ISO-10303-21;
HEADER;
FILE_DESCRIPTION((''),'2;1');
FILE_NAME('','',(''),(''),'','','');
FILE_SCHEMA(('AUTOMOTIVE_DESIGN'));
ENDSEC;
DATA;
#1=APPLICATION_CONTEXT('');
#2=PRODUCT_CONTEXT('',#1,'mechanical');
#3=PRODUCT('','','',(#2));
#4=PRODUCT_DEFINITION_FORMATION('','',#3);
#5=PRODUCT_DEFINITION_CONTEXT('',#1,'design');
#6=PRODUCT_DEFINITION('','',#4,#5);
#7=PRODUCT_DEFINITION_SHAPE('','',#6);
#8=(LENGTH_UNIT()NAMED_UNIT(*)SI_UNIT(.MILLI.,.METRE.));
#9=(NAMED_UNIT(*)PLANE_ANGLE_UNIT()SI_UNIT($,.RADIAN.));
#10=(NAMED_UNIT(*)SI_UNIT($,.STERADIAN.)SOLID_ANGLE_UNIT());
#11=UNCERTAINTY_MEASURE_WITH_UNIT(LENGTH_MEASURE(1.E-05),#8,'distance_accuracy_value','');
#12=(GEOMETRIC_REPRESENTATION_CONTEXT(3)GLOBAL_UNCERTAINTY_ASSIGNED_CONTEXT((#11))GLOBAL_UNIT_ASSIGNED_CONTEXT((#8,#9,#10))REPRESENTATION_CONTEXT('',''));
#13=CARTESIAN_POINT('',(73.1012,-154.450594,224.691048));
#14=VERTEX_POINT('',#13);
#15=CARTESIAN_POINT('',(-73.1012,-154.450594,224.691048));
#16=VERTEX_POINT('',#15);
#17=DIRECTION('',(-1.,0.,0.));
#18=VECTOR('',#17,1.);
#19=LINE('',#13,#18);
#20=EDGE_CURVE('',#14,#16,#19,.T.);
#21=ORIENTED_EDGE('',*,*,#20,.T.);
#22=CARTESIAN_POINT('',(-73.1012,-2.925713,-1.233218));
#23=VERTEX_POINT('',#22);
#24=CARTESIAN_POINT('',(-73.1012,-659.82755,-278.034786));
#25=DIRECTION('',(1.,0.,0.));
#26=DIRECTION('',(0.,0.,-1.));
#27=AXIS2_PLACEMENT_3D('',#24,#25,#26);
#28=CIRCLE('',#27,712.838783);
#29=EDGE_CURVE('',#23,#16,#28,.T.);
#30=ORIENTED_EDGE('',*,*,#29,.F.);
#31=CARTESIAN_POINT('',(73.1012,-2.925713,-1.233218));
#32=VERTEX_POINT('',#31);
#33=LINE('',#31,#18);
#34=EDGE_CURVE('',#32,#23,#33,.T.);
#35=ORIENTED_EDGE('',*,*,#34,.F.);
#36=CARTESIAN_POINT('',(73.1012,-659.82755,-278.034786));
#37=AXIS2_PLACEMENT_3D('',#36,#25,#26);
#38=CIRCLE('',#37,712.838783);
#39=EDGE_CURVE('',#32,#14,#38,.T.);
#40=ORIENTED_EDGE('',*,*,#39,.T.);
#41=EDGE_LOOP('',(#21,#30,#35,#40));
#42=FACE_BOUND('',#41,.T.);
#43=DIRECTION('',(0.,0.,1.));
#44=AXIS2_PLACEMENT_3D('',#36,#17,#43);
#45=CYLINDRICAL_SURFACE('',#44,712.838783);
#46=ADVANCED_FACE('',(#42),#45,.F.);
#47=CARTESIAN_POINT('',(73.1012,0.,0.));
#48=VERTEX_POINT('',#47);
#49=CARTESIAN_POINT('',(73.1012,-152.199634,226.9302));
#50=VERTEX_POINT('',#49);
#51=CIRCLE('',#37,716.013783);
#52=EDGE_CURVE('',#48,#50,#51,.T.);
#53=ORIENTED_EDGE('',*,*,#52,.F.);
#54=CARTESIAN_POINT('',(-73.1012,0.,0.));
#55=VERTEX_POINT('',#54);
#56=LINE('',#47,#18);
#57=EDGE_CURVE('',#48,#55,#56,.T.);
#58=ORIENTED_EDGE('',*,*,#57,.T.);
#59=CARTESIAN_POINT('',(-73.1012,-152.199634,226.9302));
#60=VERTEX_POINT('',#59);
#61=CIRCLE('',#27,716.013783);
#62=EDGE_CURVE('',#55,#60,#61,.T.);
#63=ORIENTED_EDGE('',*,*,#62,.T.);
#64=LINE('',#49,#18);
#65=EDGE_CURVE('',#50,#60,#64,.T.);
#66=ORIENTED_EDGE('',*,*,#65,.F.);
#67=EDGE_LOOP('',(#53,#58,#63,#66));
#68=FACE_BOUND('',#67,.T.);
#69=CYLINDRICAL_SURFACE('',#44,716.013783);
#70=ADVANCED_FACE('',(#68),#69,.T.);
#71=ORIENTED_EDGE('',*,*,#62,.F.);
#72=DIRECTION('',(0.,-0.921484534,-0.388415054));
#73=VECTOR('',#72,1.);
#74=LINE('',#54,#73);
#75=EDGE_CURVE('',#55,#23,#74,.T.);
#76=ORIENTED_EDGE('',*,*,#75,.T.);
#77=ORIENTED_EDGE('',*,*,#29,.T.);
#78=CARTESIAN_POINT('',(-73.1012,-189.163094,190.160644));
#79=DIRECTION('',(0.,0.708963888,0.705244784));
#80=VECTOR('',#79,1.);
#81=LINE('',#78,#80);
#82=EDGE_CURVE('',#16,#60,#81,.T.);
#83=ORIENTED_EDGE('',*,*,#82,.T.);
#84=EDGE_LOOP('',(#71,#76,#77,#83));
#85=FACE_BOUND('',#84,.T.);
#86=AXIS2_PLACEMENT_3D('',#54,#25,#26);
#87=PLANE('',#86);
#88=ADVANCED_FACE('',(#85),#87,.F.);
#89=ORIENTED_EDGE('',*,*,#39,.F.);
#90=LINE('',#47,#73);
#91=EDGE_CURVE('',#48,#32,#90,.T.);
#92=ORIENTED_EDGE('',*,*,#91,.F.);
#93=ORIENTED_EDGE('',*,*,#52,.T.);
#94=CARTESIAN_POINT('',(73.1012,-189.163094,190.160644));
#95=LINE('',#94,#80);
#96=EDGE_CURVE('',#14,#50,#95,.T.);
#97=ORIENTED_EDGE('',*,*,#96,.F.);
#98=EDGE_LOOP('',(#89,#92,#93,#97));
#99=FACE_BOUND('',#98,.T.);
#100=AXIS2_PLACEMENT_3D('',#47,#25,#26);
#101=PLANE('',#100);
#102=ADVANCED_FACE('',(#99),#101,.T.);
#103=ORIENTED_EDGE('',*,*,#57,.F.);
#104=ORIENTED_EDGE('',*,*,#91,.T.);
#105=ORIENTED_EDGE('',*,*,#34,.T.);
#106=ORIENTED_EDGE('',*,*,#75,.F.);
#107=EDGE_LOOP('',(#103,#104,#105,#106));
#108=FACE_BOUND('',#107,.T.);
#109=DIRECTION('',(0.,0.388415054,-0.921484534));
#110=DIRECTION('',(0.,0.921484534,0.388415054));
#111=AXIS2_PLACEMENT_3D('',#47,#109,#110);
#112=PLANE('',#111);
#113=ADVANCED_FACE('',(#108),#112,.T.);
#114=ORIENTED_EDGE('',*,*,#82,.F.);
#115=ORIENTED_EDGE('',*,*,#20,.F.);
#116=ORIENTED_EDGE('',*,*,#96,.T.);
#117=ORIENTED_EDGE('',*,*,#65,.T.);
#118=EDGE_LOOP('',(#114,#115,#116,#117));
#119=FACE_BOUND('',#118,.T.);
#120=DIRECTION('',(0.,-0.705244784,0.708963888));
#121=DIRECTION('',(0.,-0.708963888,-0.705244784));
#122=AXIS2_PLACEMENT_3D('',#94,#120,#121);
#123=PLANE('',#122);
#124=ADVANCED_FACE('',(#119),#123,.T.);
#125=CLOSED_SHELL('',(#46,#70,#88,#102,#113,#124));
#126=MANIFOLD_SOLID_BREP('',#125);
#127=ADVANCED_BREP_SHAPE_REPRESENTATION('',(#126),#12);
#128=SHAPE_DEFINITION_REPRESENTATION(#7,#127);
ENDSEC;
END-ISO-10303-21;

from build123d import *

# Parameters (mm, degrees)
BOSS_EXTRUDE1_DEPTH = 73.1012


with BuildPart() as part:
    # Sketch1 → Boss-Extrude1 (new, symmetric)
    with BuildSketch(Plane(origin=(0, 0, 0), x_dir=(0, 0, -1), z_dir=(1, 0, 0))):
        with BuildLine():
            Line((-225.810623786, -153.325114244), (-224.691047691, -154.450594417))
            ThreePointArc((-224.691047691, -154.450594417), (-119.024013128, -67.811130366), (1.233217804, -2.925713414))
            Line((1.233217804, -2.925713414), (0.616608902, -1.462856707))
            ThreePointArc((0.616608902, -1.462856707), (-119.908343561, -66.492754113), (-225.810623786, -153.325114244))
        make_face()
        with BuildLine():
            Line((-226.93019988, -152.199634071), (-225.810623786, -153.325114244))
            ThreePointArc((-225.810623786, -153.325114244), (-119.908343561, -66.492754113), (0.616608902, -1.462856707))
            Line((0.616608902, -1.462856707), (0, 0))
            ThreePointArc((0, 0), (-120.792673993, -65.17437786), (-226.93019988, -152.199634071))
        make_face()
    extrude(amount=BOSS_EXTRUDE1_DEPTH, both=True)


solid = part.part
